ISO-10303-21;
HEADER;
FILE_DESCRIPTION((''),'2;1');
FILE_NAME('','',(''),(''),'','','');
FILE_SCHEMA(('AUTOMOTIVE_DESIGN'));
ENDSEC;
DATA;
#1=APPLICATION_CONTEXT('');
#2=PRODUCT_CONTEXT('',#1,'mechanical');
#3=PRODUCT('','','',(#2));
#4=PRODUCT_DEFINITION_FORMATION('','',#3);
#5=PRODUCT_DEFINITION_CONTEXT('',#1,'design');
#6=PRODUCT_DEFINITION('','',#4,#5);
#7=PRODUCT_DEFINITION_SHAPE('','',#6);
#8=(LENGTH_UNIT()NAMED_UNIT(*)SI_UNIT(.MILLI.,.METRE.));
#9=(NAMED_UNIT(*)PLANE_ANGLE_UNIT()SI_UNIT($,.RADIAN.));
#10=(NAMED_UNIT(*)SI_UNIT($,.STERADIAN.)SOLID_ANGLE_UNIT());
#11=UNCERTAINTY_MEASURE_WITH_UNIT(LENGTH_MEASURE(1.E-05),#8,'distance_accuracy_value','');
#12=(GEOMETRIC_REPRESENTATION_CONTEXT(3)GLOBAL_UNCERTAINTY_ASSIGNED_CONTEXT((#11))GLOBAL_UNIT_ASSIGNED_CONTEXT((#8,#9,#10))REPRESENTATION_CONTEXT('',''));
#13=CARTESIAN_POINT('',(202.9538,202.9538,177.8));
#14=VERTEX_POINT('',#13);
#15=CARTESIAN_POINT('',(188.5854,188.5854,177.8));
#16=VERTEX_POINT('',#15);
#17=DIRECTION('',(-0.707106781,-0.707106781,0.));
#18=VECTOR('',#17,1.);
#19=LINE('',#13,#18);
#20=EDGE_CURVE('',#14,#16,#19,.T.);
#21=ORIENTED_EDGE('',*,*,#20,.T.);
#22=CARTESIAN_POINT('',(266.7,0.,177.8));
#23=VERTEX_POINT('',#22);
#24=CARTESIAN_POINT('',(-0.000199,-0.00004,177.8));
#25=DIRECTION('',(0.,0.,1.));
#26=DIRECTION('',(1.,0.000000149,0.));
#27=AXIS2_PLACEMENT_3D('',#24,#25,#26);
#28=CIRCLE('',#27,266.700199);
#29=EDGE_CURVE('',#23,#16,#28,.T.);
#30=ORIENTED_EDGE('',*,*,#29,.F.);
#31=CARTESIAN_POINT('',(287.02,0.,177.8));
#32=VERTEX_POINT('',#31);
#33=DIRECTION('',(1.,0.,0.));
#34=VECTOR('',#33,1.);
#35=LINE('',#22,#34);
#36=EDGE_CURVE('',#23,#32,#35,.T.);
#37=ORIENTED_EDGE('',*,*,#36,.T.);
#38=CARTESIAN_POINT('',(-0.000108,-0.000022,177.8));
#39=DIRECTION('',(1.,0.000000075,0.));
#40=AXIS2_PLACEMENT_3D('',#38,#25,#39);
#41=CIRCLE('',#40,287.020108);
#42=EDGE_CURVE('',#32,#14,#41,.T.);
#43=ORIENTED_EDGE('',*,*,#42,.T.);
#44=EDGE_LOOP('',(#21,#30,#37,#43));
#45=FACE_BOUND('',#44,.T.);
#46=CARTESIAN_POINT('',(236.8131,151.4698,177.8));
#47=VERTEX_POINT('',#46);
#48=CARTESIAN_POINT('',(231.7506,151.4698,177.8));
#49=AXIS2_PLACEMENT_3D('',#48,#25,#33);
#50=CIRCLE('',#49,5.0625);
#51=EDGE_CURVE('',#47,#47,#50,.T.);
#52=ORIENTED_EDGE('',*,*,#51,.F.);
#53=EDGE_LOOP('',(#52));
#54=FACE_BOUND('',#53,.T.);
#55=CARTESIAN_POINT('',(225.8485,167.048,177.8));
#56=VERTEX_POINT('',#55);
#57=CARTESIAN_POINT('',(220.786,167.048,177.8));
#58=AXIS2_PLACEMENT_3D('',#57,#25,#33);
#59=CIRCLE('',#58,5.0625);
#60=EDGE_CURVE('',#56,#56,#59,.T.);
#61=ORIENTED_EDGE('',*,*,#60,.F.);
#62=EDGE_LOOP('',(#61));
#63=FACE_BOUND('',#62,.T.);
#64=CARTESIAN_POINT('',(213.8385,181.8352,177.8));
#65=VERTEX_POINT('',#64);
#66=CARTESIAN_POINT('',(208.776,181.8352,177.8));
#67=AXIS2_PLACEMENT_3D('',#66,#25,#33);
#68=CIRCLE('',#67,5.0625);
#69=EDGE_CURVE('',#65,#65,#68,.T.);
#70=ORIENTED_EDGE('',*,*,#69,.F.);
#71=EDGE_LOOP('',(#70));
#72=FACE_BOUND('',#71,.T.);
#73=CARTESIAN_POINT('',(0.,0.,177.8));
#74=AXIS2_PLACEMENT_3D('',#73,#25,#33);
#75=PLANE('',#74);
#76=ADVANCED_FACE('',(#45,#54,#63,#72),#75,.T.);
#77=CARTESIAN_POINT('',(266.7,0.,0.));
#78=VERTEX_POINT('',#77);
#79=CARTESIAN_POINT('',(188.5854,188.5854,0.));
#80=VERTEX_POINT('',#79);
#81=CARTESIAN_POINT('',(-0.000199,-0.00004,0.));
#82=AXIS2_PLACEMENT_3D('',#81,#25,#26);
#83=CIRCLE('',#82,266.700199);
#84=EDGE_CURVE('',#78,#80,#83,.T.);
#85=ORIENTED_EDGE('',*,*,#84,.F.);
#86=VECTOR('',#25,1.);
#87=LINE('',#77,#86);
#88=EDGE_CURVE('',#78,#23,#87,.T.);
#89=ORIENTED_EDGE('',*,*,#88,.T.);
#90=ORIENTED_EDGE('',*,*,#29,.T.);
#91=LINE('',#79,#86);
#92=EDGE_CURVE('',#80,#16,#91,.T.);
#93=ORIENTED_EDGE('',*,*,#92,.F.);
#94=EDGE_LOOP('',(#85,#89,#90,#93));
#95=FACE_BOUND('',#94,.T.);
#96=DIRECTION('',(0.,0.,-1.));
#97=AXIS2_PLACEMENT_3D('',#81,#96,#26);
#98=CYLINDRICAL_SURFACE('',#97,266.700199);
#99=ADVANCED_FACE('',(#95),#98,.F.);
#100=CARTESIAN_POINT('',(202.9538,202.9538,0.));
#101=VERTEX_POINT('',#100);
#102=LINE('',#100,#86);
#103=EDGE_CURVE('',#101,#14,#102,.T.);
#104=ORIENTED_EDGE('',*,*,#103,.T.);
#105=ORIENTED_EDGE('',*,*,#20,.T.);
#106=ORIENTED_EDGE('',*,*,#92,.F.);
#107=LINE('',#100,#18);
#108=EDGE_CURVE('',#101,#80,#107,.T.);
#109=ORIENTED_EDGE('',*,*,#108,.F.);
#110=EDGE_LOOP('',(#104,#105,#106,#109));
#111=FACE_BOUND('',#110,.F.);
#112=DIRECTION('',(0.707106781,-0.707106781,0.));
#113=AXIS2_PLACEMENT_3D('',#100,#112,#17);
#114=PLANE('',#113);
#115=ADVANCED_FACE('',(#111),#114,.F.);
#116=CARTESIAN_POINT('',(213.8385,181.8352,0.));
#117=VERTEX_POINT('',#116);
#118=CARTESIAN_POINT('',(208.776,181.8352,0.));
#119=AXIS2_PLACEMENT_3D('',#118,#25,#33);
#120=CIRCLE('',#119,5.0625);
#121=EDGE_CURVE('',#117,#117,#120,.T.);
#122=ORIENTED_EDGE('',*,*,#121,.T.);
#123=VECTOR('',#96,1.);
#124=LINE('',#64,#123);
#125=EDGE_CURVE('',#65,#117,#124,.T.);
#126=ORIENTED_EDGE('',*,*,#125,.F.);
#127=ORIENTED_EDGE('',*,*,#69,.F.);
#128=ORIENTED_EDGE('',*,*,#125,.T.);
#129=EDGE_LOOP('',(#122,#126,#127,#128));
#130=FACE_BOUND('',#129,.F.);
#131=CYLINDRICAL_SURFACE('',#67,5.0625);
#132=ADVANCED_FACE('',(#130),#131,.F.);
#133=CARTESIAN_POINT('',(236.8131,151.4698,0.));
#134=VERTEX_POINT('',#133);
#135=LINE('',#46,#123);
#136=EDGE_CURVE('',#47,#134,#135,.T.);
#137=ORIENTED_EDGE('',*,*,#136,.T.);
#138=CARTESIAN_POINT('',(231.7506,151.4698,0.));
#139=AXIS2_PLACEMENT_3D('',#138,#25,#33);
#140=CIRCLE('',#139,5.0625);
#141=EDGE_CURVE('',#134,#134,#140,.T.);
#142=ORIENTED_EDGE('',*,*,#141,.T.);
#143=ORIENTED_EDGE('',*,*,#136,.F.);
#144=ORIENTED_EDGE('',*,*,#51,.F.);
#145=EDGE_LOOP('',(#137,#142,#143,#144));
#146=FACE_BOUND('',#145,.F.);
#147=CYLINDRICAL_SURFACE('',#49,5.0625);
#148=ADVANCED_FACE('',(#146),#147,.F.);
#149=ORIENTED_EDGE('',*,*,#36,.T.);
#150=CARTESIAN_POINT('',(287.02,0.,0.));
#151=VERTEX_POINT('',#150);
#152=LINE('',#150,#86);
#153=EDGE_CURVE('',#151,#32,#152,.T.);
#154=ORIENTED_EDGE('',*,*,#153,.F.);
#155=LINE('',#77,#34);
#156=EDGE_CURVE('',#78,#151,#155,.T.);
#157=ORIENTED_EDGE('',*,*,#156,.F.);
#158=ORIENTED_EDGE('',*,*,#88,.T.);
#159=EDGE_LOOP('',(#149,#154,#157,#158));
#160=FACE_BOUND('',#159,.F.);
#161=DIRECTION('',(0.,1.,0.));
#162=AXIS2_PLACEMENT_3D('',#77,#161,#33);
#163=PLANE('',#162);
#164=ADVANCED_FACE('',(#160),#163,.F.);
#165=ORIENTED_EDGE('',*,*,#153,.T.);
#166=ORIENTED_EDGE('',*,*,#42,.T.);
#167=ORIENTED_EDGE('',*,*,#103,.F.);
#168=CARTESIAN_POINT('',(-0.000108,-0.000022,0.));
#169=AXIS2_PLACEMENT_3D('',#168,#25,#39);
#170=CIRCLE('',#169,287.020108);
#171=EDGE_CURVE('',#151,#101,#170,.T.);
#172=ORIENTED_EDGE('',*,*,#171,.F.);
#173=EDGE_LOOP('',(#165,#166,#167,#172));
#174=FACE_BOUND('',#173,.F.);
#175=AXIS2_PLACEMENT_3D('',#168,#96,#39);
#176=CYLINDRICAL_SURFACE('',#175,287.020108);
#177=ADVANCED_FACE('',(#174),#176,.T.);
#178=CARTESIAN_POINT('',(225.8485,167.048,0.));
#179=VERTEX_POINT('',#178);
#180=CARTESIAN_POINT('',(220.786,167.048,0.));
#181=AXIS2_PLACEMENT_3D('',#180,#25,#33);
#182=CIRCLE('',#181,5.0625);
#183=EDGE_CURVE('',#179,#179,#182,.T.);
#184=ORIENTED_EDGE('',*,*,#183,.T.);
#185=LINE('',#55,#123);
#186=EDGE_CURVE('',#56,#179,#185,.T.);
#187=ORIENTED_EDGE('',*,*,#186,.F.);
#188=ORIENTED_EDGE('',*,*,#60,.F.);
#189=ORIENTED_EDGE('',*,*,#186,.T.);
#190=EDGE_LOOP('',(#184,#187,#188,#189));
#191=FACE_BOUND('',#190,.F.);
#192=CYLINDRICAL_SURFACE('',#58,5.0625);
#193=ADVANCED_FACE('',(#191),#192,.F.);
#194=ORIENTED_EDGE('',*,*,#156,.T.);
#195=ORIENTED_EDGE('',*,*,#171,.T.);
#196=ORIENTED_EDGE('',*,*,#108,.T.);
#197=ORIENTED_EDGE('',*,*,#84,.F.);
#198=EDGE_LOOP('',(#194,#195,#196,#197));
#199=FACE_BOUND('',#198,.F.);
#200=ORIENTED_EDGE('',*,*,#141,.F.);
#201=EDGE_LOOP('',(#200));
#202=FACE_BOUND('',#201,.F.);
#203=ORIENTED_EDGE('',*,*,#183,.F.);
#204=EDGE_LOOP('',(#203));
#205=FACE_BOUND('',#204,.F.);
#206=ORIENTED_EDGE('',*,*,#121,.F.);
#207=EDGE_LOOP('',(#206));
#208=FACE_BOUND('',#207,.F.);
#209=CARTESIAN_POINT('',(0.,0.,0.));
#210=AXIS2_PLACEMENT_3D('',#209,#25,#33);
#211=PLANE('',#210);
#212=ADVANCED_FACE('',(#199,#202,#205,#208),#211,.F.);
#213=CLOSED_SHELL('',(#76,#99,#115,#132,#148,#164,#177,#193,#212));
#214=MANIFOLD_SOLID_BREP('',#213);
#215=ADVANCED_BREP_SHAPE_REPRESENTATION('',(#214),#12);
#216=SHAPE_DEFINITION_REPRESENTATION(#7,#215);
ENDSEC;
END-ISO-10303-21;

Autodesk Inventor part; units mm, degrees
ref_plane "YZ Plane" through (0, 0, 0) normal (1, 0, 0) x (0, 1, 0)
ref_plane "XZ Plane" through (0, 0, 0) normal (0, 1, 0) x (-1, 0, 0)
ref_plane "XY Plane" through (0, 0, 0) normal (0, 0, 1) x (1, 0, 0)
sketch "Sketch1" plane through (0, 0, 0) normal (0, 0, 1) x (1, 0, 0)
  arc A0 (287.02, 0) -> (202.9538, 202.9538) centre (0, 0) ccw
  arc A1 (266.7, 0) -> (188.5854, 188.5854) centre (0, 0) ccw
  line L0 (202.9538, 202.9538) -> (188.5854, 188.5854)
  line L1 (266.7, 0) -> (287.02, 0)
  line L2 (188.5854, 188.5854) -> (0, 0) construction
  dimension "d1" = 266.7
  dimension "d5" = 287.02
  dimension "d6" = 45
extrude "Extrusion1" add sketch "Sketch1" along normal blind 177.8
sketch "Sketch2" plane through (0, 0, 177.8) normal (0, 0, 1) x (1, 0, 0)
  line L0 (287.02, 0) -> (266.7, 0) projected
  line L1 (188.5854, 188.5854) -> (202.9538, 202.9538) projected
  arc A0 (276.86, 0) -> (195.7696, 195.7696) centre (0, 0) ccw construction
  arc A1 (188.5854, 188.5854) -> (266.7, 0) centre (0, 0) ccw projected
  circle A2 centre (208.776, 181.8352) radius 5.0625
  circle A3 centre (220.786, 167.048) radius 5.0625
  circle A4 centre (231.7506, 151.4698) radius 5.0625
  dimension "d7" = 10.125
  dimension "d8" = 19.05
  dimension "d9" = 19.05
  dimension "d10" = 19.05
extrude "Extrusion2" cut sketch "Sketch2" against normal blind 177.8
equation "\"d1\" = BallSize + 0.5 * WheelSize - Compression"
equation "\"WheelSize1\" = 101.6"
equation "\"BallSize1\" = 304.8"
equation "\"Compression1\" = 12.7"
equation "\"BallSize\" = 228.6"
equation "\"WheelSize\" = 101.6"
equation "\"Compression\" = 12.7"
properties part number "HoodGearSmooth"
